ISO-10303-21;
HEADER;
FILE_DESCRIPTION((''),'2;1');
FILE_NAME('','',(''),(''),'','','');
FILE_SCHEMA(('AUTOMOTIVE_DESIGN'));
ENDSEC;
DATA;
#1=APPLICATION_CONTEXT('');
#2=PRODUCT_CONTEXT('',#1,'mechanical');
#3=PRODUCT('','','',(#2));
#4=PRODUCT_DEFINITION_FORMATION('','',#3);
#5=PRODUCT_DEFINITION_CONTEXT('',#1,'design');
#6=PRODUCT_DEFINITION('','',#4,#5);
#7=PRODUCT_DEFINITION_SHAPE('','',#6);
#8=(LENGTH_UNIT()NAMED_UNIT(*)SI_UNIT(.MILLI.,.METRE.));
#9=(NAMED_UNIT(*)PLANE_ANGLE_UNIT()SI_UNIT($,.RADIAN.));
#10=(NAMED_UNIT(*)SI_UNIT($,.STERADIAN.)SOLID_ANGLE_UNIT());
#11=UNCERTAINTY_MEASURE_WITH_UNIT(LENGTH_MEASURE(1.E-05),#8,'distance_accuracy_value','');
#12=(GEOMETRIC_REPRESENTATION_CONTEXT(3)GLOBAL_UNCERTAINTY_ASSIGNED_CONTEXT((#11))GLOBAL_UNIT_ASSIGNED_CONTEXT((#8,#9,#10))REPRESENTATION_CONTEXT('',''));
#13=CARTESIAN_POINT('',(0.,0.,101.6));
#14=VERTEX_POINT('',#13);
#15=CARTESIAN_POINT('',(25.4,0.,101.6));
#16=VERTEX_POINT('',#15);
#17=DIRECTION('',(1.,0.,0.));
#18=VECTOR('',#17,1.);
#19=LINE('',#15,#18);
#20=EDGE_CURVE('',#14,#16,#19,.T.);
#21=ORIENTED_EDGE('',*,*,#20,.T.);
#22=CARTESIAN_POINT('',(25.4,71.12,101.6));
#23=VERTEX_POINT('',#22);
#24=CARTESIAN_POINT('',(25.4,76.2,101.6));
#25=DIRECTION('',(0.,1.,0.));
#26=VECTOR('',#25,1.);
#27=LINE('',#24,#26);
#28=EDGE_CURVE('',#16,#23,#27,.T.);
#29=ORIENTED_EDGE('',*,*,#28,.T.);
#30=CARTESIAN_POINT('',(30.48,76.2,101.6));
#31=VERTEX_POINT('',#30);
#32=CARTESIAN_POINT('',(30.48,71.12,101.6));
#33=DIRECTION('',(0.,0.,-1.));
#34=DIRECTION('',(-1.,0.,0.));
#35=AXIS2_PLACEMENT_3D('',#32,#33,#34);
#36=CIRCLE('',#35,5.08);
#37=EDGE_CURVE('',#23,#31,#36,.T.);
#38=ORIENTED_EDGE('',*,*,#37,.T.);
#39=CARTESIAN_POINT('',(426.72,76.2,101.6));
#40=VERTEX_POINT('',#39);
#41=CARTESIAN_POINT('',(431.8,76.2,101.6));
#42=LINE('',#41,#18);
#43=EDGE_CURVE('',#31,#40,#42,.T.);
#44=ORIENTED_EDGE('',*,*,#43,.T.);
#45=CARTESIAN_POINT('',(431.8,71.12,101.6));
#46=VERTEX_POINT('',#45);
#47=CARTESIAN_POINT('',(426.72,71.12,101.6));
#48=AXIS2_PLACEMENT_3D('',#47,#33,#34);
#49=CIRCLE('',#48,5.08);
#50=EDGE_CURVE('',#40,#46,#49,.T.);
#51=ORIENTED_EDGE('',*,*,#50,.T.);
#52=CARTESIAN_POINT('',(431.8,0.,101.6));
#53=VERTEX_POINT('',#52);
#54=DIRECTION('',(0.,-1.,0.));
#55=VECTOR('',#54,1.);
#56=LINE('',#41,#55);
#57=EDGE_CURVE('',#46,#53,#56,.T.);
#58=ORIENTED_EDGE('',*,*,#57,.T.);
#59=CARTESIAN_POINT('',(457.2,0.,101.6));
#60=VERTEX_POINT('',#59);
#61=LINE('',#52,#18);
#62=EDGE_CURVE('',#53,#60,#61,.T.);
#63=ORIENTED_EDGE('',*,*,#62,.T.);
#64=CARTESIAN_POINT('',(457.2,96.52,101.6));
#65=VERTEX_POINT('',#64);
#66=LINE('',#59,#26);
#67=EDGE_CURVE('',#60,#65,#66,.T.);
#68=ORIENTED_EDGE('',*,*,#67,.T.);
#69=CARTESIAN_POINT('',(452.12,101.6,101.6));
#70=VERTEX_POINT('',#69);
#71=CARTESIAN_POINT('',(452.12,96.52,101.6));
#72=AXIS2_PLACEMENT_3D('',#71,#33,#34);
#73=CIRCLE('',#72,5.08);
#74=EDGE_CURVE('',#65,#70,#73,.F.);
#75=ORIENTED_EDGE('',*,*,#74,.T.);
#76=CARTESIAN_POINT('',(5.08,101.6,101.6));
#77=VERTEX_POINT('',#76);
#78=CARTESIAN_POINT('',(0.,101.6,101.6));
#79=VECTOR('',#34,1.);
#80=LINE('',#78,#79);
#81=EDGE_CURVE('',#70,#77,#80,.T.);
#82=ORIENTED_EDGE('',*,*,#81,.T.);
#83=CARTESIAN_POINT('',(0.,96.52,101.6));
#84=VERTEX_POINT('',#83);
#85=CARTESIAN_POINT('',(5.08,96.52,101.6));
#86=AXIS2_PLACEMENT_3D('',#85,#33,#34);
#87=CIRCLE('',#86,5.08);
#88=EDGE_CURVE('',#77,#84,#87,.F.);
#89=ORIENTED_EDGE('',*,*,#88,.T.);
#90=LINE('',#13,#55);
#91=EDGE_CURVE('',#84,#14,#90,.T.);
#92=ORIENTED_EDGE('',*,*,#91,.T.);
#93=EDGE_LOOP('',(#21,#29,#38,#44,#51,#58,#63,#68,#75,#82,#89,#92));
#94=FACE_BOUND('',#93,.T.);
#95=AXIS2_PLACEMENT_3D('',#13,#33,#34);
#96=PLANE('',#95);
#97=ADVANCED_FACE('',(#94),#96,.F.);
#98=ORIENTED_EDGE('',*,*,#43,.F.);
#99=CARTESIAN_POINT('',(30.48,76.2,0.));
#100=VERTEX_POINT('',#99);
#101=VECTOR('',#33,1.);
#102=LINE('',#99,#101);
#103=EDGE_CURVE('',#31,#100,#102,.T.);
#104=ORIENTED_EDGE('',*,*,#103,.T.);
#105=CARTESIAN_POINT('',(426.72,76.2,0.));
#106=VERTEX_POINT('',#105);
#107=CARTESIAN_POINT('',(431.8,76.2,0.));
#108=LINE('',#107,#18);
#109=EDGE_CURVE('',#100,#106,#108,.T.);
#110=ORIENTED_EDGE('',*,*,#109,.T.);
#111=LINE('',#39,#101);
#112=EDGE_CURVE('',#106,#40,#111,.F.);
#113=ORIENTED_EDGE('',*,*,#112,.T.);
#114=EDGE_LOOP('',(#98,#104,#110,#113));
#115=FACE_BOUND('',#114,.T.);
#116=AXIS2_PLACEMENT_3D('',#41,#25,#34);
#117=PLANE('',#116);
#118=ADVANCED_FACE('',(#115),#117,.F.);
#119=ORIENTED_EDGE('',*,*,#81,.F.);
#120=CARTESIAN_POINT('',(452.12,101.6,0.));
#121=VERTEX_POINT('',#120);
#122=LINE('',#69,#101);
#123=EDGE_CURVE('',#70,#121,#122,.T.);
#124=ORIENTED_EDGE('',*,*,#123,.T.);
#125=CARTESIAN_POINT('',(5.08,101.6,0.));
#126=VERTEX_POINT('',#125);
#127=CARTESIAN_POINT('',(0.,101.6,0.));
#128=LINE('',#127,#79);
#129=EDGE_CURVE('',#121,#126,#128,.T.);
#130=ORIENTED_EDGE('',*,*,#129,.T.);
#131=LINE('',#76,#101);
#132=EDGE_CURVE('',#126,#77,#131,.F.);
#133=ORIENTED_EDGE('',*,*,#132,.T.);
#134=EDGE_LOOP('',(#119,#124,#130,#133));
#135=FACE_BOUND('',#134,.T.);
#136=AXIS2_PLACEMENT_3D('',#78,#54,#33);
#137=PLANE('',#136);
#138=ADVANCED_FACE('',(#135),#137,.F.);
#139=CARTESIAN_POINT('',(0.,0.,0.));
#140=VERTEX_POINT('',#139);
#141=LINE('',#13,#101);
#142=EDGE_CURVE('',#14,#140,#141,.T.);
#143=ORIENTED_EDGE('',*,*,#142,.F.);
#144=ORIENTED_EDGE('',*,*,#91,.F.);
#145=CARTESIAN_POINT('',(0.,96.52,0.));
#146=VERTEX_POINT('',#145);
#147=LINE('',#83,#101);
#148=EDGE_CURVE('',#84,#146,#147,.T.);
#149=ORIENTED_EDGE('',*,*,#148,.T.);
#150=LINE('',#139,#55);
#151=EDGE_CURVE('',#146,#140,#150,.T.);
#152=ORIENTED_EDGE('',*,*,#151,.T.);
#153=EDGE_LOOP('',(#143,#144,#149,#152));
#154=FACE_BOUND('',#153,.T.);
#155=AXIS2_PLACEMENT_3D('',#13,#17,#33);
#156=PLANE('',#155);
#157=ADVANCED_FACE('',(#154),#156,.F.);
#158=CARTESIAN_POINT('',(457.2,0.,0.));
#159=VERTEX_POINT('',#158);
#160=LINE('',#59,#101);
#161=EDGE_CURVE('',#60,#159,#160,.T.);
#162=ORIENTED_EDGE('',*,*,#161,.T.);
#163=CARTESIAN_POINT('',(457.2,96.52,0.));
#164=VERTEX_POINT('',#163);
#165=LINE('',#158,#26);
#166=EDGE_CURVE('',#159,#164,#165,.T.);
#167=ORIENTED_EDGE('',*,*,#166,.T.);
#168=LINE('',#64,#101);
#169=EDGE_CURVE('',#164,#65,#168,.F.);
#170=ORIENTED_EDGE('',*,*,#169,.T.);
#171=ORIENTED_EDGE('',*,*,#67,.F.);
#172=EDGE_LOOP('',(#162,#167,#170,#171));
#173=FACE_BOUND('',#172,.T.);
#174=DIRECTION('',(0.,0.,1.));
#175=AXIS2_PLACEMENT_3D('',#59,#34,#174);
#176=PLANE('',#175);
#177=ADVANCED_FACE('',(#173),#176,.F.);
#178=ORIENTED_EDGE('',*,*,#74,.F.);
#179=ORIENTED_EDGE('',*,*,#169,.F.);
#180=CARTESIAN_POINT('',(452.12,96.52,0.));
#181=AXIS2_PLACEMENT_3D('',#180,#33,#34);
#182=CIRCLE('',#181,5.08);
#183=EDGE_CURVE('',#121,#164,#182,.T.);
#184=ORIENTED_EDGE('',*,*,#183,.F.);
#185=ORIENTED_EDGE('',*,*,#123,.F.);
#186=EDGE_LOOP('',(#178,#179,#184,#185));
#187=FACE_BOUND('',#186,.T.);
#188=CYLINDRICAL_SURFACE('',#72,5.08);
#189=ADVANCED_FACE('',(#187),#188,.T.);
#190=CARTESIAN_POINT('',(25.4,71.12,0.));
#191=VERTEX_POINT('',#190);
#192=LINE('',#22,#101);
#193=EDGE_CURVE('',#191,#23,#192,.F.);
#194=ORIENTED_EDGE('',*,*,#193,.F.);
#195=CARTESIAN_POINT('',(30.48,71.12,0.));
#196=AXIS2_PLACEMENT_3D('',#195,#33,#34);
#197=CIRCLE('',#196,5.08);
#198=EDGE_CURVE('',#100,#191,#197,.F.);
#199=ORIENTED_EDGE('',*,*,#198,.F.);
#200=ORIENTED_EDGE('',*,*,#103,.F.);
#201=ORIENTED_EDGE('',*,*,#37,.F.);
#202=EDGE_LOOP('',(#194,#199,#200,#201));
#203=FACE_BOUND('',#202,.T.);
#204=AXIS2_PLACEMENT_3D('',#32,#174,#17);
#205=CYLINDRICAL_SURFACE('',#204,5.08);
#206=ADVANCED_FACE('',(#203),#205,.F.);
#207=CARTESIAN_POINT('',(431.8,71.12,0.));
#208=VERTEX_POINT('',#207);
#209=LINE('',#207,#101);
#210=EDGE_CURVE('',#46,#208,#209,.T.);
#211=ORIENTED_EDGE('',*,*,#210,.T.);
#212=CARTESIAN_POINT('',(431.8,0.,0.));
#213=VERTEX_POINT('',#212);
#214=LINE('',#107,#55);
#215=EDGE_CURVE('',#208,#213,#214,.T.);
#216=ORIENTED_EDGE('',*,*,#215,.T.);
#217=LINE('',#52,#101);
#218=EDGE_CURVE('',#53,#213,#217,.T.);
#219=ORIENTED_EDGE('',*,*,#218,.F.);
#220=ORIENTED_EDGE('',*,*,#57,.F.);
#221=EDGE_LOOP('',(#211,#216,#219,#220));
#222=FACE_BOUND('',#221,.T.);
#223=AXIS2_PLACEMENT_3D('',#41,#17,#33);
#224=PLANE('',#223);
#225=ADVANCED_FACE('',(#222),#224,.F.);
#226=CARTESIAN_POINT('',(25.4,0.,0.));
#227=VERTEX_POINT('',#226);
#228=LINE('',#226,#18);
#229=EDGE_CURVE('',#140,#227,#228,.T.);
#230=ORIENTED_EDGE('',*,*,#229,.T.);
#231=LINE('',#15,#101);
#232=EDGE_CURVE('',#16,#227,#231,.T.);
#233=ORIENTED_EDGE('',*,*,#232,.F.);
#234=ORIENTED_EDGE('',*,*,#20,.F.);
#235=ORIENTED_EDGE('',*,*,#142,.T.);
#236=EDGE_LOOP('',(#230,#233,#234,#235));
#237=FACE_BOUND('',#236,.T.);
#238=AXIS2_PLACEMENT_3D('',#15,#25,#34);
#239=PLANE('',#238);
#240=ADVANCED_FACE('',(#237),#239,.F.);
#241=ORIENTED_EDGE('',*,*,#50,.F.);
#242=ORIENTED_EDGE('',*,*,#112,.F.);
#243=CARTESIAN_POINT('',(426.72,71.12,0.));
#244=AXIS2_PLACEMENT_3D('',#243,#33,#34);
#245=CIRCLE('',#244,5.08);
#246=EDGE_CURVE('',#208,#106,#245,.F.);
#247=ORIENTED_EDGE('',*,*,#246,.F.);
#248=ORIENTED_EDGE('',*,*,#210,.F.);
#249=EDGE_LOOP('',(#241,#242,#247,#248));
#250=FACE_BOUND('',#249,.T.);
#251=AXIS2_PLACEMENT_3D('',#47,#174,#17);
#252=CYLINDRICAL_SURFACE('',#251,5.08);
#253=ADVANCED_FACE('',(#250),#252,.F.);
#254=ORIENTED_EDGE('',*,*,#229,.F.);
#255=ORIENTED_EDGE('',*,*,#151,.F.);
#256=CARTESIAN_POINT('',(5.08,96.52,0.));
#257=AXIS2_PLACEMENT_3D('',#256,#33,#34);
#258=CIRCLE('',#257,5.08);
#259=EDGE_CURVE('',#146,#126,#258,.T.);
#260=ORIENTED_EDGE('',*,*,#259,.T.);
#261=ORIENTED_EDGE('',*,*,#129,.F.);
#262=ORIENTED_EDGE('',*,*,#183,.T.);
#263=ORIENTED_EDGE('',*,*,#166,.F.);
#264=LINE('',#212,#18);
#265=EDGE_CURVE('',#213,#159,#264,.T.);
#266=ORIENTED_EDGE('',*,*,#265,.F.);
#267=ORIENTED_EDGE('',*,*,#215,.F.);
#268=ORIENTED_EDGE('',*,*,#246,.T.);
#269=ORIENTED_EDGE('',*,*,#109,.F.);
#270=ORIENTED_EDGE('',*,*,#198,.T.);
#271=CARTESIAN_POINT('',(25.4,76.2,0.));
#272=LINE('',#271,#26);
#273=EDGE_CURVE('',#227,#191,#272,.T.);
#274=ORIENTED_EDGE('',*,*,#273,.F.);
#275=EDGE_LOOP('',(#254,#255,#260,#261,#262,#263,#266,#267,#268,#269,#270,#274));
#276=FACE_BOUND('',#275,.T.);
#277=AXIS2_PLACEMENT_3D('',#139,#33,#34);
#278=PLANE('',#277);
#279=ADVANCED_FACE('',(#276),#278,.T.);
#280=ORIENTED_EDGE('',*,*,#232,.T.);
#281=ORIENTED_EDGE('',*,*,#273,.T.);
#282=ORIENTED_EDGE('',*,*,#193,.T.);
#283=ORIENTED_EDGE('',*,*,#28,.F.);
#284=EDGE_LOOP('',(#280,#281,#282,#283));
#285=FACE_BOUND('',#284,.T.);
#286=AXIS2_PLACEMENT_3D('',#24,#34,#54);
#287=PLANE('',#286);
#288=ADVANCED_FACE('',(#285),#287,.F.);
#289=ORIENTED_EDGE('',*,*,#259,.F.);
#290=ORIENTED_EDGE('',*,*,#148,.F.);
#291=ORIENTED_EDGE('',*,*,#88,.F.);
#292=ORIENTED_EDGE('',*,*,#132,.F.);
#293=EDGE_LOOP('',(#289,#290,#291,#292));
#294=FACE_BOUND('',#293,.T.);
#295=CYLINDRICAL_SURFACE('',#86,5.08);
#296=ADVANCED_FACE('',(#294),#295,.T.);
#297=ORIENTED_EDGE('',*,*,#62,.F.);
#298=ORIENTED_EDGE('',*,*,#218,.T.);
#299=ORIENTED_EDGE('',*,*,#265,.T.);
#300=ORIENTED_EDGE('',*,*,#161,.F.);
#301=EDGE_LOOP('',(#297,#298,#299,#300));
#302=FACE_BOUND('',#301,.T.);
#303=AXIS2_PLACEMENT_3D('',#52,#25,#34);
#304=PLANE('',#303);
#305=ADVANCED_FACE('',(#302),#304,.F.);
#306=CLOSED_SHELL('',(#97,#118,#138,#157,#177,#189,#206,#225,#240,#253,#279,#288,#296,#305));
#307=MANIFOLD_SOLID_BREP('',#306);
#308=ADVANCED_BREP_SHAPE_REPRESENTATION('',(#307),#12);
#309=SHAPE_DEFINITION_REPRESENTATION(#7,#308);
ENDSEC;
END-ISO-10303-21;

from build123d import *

# Parameters (mm, degrees)
BOSS_EXTRUDE1_DEPTH = 101.6
FILLET1_R           = 5.08


with BuildPart() as part:
    # Sketch1 → Boss-Extrude1 (new body)
    with BuildSketch(Plane.XY):
        Polygon((0, 0), (0, 101.6), (457.2, 101.6), (457.2, 0), (431.8, 0), (431.8, 76.2), (25.4, 76.2), (25.4, 0), align=None)
    extrude(amount=BOSS_EXTRUDE1_DEPTH)

    # Fillet1
    fillet1_edges = [part.edges().sort_by_distance(p)[0] for p in [
        (0, 101.6, 50.8),
        (457.2, 101.6, 50.8),
        (431.8, 76.2, 50.8),
        (25.4, 76.2, 50.8),
    ]]
    fillet(fillet1_edges, radius=FILLET1_R)


solid = part.part
